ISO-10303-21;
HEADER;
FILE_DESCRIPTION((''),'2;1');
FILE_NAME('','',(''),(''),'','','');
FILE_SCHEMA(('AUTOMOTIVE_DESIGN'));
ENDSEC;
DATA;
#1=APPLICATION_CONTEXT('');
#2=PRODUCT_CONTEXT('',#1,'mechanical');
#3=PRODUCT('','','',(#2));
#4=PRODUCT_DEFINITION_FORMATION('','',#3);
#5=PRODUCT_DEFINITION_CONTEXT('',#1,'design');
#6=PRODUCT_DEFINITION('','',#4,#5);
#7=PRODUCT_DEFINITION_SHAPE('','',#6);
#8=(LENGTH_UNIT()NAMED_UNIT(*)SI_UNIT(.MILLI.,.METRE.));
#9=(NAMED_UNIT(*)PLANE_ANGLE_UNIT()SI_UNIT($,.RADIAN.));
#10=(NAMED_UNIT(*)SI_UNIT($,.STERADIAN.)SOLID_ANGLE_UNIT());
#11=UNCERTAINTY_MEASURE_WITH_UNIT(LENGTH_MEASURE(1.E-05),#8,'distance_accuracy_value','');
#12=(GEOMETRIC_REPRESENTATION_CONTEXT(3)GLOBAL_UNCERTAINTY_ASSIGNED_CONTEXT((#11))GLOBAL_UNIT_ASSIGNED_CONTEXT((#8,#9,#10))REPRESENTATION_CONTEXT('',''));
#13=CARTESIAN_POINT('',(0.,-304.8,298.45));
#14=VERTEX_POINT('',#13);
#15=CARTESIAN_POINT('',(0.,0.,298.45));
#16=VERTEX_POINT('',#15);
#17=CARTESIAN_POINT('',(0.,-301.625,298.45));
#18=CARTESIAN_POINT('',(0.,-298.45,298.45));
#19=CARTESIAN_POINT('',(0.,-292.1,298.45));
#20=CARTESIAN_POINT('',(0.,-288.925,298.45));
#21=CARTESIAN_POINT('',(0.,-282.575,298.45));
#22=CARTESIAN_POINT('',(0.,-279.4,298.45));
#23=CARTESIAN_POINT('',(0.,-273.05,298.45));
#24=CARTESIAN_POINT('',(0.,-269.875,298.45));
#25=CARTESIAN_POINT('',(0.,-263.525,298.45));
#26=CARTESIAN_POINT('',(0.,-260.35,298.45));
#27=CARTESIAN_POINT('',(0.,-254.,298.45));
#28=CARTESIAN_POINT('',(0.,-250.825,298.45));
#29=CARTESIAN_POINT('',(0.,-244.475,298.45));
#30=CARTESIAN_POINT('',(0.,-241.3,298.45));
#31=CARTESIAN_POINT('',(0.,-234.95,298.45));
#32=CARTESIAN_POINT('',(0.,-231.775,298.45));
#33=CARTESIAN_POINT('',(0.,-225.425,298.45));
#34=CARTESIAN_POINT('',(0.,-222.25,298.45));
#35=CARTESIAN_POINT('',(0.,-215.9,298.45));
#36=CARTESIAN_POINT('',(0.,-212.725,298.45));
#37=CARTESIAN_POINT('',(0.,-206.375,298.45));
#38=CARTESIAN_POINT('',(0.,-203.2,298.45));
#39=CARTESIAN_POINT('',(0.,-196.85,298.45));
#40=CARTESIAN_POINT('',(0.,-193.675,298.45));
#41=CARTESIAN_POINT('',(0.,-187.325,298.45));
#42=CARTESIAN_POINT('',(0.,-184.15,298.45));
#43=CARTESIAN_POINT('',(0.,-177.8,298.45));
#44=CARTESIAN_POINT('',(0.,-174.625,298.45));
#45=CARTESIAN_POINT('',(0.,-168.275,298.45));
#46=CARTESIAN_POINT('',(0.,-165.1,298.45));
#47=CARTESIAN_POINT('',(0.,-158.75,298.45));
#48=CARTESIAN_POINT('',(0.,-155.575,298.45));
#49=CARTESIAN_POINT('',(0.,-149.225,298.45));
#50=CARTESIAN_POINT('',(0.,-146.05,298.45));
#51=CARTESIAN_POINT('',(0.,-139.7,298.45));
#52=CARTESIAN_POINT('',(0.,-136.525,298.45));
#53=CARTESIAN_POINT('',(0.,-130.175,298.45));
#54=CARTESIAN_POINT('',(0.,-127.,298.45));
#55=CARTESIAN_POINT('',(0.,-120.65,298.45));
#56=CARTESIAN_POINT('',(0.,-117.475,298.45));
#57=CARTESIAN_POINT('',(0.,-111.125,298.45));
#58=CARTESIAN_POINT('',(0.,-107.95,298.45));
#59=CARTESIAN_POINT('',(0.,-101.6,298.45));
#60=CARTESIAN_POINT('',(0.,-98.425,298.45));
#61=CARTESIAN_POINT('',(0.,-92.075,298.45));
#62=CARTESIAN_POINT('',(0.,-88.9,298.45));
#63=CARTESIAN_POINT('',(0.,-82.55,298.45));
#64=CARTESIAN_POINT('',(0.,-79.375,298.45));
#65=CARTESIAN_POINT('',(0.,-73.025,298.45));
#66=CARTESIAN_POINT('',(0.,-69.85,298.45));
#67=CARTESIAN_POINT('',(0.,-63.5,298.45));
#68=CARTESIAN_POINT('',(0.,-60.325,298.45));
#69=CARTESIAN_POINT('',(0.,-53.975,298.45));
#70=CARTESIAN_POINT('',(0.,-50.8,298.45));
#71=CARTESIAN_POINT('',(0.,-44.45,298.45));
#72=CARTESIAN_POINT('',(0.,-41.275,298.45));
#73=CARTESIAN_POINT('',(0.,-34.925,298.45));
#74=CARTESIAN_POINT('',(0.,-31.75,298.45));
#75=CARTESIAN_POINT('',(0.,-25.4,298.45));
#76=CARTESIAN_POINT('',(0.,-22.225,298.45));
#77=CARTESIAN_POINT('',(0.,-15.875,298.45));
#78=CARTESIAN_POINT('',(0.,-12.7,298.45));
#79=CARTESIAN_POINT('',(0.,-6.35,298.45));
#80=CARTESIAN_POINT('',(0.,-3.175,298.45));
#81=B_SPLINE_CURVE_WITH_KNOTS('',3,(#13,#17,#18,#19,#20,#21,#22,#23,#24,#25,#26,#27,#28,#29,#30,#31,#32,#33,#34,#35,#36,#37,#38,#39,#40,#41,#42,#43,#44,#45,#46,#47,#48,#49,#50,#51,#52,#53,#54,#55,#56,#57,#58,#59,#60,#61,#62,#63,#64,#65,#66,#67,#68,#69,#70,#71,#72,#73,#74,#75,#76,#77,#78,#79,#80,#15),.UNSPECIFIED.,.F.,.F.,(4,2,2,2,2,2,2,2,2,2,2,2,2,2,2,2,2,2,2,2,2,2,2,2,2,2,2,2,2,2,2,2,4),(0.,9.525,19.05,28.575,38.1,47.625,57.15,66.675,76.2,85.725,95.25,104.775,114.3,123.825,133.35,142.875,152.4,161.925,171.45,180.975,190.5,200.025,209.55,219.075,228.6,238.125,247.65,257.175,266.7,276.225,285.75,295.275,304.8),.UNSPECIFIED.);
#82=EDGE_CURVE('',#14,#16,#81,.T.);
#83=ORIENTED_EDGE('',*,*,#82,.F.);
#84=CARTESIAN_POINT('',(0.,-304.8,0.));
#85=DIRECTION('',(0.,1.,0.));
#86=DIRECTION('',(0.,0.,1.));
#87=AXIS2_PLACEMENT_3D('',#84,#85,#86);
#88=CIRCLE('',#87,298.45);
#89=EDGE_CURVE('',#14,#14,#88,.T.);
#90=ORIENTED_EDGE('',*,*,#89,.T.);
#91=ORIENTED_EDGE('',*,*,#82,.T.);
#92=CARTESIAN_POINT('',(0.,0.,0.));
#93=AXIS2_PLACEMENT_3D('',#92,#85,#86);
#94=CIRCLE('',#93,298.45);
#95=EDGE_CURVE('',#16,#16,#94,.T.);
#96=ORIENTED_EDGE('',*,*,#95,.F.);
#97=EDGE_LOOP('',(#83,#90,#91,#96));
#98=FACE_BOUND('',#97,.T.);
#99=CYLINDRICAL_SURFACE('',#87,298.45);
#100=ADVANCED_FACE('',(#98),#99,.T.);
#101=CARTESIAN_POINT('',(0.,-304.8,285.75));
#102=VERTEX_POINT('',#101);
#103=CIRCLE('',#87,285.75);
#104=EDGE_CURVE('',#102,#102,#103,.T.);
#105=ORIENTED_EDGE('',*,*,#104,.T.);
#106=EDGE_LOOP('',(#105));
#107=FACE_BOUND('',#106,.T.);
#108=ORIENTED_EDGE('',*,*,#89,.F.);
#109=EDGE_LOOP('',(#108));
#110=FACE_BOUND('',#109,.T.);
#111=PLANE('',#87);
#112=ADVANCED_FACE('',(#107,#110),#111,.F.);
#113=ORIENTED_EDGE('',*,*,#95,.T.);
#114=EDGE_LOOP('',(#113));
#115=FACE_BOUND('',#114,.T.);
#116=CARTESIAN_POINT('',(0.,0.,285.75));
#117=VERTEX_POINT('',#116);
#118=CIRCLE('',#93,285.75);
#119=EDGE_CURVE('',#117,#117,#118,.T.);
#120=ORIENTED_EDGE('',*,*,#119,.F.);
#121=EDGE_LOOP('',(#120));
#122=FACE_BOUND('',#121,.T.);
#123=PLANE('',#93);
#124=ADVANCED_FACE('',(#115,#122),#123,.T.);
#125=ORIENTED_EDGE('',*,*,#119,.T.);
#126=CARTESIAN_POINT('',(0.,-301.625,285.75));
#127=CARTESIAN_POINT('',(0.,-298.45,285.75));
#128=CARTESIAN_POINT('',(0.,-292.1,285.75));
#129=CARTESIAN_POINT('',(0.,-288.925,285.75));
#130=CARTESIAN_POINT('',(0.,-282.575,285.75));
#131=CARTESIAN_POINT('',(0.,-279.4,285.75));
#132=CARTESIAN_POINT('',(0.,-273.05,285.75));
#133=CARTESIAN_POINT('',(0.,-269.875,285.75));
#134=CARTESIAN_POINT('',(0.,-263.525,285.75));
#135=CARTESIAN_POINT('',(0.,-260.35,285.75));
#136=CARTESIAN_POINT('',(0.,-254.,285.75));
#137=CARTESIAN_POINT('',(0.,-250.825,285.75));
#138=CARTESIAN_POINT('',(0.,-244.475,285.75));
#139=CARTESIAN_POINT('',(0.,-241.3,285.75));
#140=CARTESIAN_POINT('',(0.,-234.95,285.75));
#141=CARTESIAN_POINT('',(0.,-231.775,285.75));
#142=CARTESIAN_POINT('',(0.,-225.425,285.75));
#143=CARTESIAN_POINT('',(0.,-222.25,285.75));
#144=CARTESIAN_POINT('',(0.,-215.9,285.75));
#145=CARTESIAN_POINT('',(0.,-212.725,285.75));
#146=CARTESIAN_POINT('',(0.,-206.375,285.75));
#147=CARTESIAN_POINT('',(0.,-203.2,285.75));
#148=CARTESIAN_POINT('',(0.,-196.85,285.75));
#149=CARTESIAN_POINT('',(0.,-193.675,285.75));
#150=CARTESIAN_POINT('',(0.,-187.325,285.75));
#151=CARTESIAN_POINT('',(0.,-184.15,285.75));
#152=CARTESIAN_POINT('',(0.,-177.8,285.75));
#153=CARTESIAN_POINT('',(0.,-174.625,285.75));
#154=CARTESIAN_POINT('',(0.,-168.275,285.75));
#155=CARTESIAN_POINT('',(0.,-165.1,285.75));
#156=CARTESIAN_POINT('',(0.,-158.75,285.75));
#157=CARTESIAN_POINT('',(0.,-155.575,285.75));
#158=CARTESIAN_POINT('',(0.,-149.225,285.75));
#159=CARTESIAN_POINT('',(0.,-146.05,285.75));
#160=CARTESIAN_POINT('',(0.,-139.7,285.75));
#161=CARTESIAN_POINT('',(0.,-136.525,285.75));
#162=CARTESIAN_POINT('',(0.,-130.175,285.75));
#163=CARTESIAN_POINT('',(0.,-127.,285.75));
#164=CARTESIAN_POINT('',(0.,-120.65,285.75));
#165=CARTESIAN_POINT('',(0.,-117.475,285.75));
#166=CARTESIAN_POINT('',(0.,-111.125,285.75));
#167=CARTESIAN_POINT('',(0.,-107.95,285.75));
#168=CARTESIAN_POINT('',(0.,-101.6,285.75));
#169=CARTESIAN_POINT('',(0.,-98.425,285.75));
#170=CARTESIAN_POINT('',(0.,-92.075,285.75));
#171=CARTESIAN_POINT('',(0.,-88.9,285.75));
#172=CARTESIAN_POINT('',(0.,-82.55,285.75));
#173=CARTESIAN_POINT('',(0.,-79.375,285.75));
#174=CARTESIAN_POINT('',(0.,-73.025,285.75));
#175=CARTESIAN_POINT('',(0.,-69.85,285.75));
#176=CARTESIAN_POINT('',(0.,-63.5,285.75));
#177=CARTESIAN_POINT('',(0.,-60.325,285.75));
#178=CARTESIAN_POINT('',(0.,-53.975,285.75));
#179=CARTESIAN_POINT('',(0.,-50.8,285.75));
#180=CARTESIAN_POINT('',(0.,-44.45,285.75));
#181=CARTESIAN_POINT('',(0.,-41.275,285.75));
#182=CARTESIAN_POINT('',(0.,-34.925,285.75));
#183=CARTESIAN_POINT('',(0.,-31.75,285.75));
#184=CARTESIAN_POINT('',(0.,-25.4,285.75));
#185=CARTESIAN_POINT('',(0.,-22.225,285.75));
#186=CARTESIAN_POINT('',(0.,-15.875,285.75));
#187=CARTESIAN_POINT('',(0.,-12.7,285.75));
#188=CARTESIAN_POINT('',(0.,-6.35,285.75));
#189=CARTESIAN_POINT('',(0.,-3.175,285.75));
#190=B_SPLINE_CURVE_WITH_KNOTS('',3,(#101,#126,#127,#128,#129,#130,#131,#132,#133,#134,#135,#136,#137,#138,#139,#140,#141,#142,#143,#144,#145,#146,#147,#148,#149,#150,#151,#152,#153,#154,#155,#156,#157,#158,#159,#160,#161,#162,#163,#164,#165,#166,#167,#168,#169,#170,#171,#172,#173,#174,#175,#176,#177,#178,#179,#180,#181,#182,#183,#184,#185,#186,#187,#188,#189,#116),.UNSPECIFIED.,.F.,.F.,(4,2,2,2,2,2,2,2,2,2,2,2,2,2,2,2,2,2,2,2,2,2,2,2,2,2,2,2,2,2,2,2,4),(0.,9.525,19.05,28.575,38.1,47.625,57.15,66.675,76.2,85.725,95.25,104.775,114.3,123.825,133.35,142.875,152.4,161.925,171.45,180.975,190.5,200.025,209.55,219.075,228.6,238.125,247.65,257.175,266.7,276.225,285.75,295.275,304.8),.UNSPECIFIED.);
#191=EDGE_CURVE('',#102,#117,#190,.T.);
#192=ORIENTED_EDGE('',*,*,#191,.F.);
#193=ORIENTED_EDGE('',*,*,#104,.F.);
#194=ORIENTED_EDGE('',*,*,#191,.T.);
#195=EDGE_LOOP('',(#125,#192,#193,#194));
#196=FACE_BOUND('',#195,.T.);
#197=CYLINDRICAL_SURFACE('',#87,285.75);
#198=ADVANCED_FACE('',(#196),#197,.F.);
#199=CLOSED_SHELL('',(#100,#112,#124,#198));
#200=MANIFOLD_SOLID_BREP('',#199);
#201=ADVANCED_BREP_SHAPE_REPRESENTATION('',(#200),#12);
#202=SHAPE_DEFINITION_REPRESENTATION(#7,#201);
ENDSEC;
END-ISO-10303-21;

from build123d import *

# Parameters (mm, degrees)
SKETCH1_R           = 298.45
SKETCH1_R_2         = 285.75
BOSS_EXTRUDE1_DEPTH = 304.8


with BuildPart() as part:
    # Sketch1 → Boss-Extrude1 (new body)
    with BuildSketch(Plane(origin=(0, 0, 0), x_dir=(1, 0, 0), z_dir=(0, 1, 0))):
        with Locations(Location((0, 0, 0), (0, 0, 270))):
            Circle(SKETCH1_R)
        with Locations(Location((0, 0, 0), (0, 0, 270))):
            Circle(SKETCH1_R_2, mode=Mode.SUBTRACT)
    extrude(amount=-BOSS_EXTRUDE1_DEPTH)


solid = part.part
